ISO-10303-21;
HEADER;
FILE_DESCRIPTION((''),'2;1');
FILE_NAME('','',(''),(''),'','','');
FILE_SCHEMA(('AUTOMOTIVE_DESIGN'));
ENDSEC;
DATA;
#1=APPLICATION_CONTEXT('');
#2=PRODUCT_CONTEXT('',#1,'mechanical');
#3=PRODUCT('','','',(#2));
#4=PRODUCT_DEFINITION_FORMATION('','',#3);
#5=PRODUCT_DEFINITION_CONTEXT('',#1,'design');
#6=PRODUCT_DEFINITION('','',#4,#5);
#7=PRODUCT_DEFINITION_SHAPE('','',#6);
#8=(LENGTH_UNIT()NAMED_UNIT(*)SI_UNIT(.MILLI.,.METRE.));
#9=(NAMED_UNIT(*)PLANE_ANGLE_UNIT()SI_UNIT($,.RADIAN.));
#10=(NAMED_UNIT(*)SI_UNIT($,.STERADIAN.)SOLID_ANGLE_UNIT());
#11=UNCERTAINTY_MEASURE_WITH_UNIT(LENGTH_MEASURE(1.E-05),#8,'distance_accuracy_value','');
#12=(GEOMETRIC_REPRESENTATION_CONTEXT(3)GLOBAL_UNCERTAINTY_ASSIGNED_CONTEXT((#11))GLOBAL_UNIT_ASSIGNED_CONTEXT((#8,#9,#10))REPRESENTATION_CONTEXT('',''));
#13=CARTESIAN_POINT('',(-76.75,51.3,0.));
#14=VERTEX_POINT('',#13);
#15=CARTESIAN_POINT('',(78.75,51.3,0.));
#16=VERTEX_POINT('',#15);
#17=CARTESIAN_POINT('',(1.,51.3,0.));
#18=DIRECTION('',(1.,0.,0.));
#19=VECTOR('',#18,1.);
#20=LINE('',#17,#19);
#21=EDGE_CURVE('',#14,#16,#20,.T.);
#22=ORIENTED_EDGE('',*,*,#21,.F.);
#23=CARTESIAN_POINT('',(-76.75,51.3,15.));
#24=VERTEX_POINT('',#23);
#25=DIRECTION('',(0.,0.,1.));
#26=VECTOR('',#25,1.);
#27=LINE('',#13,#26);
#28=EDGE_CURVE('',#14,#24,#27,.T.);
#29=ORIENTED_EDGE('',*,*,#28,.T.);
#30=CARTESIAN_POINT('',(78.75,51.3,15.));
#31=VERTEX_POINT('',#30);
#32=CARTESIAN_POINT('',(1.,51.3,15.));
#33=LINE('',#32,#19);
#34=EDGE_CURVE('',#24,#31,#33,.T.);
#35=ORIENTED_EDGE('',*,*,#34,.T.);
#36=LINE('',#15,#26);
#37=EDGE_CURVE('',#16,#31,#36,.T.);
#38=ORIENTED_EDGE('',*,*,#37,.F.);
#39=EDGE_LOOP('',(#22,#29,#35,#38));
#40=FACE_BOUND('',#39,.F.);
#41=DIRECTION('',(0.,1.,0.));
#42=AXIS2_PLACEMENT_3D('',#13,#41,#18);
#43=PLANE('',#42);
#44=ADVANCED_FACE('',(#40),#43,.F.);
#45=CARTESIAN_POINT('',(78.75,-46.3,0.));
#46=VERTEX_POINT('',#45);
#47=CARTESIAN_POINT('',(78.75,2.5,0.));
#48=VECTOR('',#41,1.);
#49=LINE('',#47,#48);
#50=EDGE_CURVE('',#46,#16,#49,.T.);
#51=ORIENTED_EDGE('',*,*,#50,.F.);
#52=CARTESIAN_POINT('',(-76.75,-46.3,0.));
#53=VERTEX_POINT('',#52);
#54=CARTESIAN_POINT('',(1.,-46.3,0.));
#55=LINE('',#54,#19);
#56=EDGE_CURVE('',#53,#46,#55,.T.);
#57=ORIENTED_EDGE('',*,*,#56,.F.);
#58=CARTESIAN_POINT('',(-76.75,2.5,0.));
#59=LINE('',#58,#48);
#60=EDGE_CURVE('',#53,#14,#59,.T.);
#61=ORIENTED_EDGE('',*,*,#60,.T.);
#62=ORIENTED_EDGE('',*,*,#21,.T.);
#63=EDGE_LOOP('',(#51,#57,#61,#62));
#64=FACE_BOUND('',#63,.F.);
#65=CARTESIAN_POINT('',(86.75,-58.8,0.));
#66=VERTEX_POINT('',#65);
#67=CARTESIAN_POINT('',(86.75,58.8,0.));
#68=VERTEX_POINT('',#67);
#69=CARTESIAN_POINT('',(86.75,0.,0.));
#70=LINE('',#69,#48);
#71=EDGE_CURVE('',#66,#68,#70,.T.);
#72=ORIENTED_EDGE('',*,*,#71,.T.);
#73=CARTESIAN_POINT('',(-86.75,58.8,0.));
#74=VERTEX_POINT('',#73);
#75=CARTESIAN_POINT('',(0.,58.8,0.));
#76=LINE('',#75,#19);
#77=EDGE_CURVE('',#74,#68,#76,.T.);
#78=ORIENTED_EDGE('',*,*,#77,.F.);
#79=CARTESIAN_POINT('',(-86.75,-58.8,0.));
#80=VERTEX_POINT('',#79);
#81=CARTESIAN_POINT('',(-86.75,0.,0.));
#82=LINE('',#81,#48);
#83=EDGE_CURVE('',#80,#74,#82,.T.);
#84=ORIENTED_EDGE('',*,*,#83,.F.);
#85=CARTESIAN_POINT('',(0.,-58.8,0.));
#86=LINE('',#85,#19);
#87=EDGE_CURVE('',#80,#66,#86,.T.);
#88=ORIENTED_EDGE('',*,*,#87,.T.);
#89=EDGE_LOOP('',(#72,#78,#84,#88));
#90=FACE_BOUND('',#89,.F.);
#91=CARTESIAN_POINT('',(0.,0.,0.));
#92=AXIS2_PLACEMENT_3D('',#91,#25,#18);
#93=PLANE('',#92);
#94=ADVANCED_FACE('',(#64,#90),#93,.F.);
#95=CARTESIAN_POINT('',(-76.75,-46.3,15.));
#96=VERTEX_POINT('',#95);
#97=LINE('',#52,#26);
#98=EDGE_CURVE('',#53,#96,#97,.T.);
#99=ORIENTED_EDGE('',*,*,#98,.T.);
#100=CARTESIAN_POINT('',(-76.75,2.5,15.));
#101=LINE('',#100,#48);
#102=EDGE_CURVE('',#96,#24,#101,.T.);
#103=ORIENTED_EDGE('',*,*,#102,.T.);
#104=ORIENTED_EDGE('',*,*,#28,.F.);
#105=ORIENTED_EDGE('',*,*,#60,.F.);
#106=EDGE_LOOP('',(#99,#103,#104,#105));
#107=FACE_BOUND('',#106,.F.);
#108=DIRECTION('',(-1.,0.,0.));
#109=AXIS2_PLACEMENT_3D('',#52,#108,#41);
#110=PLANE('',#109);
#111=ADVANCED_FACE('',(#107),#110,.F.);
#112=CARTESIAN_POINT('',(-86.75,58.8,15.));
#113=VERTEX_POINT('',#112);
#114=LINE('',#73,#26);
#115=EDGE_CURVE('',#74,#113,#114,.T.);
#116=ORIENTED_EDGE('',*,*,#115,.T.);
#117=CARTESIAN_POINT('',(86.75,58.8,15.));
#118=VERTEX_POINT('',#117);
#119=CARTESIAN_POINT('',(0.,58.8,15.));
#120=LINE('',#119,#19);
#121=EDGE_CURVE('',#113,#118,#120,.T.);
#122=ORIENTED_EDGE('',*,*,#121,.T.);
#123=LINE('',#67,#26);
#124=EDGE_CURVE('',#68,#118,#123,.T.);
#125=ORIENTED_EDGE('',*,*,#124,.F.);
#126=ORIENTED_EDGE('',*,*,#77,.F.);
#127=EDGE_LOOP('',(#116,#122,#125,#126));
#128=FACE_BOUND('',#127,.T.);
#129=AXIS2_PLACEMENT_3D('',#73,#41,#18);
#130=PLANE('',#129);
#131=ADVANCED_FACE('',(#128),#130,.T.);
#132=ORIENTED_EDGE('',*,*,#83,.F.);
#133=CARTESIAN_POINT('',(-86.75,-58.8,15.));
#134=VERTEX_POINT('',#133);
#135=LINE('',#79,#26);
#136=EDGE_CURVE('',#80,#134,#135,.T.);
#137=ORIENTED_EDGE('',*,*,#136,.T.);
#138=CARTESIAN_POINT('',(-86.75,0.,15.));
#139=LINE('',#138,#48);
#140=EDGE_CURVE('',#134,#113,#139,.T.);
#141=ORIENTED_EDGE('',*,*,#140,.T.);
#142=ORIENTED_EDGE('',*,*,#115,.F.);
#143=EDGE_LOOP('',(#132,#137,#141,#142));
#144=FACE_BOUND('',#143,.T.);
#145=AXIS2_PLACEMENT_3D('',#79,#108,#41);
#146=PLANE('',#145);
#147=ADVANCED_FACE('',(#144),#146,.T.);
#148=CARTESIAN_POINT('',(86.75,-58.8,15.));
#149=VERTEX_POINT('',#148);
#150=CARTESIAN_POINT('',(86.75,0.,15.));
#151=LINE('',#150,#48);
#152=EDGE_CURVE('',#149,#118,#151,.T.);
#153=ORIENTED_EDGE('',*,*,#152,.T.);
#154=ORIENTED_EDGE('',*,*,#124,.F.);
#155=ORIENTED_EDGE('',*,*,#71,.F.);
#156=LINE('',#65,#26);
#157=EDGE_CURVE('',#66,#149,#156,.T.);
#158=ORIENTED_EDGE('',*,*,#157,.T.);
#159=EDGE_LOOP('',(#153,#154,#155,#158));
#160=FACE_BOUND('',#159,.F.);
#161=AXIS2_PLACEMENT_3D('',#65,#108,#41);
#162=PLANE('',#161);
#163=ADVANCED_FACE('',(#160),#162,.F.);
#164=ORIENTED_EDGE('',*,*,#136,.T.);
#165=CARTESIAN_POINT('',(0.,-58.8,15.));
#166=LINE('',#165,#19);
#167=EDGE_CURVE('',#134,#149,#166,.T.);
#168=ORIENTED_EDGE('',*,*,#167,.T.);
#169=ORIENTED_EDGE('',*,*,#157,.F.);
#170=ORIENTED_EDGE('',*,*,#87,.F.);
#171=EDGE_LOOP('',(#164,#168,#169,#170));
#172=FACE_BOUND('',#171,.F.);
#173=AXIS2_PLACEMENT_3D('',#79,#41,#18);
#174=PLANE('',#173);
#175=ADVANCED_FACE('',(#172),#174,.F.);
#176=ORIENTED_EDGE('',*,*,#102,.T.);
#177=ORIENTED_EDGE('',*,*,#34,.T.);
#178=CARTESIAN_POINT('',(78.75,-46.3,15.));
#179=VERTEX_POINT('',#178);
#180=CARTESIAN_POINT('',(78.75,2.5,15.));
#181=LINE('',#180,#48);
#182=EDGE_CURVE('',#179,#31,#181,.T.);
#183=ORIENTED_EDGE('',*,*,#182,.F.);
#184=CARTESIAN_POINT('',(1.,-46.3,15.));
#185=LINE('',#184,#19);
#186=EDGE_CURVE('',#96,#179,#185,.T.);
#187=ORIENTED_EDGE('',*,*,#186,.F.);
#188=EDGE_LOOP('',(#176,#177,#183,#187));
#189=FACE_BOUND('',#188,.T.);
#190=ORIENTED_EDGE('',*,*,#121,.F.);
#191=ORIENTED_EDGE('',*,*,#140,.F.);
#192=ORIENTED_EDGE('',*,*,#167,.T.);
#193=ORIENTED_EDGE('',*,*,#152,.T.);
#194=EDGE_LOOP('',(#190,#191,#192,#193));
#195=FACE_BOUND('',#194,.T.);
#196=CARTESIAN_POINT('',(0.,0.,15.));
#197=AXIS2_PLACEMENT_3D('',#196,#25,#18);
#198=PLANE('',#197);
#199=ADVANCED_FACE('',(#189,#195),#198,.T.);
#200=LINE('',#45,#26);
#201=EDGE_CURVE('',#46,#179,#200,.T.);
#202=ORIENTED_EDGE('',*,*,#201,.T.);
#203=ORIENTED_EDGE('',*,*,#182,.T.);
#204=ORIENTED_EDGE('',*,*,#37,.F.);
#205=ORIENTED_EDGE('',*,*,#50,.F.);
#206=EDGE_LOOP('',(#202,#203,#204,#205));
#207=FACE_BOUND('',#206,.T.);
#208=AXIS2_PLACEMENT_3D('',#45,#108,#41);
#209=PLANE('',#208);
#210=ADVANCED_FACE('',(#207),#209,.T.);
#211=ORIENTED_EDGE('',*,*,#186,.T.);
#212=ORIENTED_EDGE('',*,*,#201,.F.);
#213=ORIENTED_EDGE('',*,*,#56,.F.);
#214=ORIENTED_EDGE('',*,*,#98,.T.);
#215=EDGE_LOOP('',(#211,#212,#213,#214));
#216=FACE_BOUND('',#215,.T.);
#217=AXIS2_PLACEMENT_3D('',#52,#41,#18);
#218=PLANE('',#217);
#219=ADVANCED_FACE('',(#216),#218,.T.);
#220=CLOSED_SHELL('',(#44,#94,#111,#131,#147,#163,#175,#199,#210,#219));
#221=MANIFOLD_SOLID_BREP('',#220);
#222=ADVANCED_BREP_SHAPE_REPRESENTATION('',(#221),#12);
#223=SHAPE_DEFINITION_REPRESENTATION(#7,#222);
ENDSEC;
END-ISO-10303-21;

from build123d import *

# Parameters (mm, degrees)
F3_W     = 173.5
F3_H     = 117.6
F4_DEPTH = 15
F2_W     = 155.5
F2_H     = 97.6
F5_DEPTH = 15
F1_W     = 161.5
F1_H     = 105.6
F6_DEPTH = 13


with BuildPart() as f4:
    # F3 (on face) → F4 (new body)
    with BuildSketch(Plane.XY):
        Rectangle(F3_W, F3_H)
    extrude(amount=F4_DEPTH)

    # F2 (on face) → F5 (cut)
    with BuildSketch(Plane.XY):
        with Locations((1, 2.5)):
            Rectangle(F2_W, F2_H)
    extrude(amount=F5_DEPTH, mode=Mode.SUBTRACT)

    # F1 (on Top) → F6 (cut)
    with BuildSketch(Plane.XY):
        Rectangle(F1_W, F1_H)
    extrude(amount=-F6_DEPTH, mode=Mode.SUBTRACT)


solid = f4.part
